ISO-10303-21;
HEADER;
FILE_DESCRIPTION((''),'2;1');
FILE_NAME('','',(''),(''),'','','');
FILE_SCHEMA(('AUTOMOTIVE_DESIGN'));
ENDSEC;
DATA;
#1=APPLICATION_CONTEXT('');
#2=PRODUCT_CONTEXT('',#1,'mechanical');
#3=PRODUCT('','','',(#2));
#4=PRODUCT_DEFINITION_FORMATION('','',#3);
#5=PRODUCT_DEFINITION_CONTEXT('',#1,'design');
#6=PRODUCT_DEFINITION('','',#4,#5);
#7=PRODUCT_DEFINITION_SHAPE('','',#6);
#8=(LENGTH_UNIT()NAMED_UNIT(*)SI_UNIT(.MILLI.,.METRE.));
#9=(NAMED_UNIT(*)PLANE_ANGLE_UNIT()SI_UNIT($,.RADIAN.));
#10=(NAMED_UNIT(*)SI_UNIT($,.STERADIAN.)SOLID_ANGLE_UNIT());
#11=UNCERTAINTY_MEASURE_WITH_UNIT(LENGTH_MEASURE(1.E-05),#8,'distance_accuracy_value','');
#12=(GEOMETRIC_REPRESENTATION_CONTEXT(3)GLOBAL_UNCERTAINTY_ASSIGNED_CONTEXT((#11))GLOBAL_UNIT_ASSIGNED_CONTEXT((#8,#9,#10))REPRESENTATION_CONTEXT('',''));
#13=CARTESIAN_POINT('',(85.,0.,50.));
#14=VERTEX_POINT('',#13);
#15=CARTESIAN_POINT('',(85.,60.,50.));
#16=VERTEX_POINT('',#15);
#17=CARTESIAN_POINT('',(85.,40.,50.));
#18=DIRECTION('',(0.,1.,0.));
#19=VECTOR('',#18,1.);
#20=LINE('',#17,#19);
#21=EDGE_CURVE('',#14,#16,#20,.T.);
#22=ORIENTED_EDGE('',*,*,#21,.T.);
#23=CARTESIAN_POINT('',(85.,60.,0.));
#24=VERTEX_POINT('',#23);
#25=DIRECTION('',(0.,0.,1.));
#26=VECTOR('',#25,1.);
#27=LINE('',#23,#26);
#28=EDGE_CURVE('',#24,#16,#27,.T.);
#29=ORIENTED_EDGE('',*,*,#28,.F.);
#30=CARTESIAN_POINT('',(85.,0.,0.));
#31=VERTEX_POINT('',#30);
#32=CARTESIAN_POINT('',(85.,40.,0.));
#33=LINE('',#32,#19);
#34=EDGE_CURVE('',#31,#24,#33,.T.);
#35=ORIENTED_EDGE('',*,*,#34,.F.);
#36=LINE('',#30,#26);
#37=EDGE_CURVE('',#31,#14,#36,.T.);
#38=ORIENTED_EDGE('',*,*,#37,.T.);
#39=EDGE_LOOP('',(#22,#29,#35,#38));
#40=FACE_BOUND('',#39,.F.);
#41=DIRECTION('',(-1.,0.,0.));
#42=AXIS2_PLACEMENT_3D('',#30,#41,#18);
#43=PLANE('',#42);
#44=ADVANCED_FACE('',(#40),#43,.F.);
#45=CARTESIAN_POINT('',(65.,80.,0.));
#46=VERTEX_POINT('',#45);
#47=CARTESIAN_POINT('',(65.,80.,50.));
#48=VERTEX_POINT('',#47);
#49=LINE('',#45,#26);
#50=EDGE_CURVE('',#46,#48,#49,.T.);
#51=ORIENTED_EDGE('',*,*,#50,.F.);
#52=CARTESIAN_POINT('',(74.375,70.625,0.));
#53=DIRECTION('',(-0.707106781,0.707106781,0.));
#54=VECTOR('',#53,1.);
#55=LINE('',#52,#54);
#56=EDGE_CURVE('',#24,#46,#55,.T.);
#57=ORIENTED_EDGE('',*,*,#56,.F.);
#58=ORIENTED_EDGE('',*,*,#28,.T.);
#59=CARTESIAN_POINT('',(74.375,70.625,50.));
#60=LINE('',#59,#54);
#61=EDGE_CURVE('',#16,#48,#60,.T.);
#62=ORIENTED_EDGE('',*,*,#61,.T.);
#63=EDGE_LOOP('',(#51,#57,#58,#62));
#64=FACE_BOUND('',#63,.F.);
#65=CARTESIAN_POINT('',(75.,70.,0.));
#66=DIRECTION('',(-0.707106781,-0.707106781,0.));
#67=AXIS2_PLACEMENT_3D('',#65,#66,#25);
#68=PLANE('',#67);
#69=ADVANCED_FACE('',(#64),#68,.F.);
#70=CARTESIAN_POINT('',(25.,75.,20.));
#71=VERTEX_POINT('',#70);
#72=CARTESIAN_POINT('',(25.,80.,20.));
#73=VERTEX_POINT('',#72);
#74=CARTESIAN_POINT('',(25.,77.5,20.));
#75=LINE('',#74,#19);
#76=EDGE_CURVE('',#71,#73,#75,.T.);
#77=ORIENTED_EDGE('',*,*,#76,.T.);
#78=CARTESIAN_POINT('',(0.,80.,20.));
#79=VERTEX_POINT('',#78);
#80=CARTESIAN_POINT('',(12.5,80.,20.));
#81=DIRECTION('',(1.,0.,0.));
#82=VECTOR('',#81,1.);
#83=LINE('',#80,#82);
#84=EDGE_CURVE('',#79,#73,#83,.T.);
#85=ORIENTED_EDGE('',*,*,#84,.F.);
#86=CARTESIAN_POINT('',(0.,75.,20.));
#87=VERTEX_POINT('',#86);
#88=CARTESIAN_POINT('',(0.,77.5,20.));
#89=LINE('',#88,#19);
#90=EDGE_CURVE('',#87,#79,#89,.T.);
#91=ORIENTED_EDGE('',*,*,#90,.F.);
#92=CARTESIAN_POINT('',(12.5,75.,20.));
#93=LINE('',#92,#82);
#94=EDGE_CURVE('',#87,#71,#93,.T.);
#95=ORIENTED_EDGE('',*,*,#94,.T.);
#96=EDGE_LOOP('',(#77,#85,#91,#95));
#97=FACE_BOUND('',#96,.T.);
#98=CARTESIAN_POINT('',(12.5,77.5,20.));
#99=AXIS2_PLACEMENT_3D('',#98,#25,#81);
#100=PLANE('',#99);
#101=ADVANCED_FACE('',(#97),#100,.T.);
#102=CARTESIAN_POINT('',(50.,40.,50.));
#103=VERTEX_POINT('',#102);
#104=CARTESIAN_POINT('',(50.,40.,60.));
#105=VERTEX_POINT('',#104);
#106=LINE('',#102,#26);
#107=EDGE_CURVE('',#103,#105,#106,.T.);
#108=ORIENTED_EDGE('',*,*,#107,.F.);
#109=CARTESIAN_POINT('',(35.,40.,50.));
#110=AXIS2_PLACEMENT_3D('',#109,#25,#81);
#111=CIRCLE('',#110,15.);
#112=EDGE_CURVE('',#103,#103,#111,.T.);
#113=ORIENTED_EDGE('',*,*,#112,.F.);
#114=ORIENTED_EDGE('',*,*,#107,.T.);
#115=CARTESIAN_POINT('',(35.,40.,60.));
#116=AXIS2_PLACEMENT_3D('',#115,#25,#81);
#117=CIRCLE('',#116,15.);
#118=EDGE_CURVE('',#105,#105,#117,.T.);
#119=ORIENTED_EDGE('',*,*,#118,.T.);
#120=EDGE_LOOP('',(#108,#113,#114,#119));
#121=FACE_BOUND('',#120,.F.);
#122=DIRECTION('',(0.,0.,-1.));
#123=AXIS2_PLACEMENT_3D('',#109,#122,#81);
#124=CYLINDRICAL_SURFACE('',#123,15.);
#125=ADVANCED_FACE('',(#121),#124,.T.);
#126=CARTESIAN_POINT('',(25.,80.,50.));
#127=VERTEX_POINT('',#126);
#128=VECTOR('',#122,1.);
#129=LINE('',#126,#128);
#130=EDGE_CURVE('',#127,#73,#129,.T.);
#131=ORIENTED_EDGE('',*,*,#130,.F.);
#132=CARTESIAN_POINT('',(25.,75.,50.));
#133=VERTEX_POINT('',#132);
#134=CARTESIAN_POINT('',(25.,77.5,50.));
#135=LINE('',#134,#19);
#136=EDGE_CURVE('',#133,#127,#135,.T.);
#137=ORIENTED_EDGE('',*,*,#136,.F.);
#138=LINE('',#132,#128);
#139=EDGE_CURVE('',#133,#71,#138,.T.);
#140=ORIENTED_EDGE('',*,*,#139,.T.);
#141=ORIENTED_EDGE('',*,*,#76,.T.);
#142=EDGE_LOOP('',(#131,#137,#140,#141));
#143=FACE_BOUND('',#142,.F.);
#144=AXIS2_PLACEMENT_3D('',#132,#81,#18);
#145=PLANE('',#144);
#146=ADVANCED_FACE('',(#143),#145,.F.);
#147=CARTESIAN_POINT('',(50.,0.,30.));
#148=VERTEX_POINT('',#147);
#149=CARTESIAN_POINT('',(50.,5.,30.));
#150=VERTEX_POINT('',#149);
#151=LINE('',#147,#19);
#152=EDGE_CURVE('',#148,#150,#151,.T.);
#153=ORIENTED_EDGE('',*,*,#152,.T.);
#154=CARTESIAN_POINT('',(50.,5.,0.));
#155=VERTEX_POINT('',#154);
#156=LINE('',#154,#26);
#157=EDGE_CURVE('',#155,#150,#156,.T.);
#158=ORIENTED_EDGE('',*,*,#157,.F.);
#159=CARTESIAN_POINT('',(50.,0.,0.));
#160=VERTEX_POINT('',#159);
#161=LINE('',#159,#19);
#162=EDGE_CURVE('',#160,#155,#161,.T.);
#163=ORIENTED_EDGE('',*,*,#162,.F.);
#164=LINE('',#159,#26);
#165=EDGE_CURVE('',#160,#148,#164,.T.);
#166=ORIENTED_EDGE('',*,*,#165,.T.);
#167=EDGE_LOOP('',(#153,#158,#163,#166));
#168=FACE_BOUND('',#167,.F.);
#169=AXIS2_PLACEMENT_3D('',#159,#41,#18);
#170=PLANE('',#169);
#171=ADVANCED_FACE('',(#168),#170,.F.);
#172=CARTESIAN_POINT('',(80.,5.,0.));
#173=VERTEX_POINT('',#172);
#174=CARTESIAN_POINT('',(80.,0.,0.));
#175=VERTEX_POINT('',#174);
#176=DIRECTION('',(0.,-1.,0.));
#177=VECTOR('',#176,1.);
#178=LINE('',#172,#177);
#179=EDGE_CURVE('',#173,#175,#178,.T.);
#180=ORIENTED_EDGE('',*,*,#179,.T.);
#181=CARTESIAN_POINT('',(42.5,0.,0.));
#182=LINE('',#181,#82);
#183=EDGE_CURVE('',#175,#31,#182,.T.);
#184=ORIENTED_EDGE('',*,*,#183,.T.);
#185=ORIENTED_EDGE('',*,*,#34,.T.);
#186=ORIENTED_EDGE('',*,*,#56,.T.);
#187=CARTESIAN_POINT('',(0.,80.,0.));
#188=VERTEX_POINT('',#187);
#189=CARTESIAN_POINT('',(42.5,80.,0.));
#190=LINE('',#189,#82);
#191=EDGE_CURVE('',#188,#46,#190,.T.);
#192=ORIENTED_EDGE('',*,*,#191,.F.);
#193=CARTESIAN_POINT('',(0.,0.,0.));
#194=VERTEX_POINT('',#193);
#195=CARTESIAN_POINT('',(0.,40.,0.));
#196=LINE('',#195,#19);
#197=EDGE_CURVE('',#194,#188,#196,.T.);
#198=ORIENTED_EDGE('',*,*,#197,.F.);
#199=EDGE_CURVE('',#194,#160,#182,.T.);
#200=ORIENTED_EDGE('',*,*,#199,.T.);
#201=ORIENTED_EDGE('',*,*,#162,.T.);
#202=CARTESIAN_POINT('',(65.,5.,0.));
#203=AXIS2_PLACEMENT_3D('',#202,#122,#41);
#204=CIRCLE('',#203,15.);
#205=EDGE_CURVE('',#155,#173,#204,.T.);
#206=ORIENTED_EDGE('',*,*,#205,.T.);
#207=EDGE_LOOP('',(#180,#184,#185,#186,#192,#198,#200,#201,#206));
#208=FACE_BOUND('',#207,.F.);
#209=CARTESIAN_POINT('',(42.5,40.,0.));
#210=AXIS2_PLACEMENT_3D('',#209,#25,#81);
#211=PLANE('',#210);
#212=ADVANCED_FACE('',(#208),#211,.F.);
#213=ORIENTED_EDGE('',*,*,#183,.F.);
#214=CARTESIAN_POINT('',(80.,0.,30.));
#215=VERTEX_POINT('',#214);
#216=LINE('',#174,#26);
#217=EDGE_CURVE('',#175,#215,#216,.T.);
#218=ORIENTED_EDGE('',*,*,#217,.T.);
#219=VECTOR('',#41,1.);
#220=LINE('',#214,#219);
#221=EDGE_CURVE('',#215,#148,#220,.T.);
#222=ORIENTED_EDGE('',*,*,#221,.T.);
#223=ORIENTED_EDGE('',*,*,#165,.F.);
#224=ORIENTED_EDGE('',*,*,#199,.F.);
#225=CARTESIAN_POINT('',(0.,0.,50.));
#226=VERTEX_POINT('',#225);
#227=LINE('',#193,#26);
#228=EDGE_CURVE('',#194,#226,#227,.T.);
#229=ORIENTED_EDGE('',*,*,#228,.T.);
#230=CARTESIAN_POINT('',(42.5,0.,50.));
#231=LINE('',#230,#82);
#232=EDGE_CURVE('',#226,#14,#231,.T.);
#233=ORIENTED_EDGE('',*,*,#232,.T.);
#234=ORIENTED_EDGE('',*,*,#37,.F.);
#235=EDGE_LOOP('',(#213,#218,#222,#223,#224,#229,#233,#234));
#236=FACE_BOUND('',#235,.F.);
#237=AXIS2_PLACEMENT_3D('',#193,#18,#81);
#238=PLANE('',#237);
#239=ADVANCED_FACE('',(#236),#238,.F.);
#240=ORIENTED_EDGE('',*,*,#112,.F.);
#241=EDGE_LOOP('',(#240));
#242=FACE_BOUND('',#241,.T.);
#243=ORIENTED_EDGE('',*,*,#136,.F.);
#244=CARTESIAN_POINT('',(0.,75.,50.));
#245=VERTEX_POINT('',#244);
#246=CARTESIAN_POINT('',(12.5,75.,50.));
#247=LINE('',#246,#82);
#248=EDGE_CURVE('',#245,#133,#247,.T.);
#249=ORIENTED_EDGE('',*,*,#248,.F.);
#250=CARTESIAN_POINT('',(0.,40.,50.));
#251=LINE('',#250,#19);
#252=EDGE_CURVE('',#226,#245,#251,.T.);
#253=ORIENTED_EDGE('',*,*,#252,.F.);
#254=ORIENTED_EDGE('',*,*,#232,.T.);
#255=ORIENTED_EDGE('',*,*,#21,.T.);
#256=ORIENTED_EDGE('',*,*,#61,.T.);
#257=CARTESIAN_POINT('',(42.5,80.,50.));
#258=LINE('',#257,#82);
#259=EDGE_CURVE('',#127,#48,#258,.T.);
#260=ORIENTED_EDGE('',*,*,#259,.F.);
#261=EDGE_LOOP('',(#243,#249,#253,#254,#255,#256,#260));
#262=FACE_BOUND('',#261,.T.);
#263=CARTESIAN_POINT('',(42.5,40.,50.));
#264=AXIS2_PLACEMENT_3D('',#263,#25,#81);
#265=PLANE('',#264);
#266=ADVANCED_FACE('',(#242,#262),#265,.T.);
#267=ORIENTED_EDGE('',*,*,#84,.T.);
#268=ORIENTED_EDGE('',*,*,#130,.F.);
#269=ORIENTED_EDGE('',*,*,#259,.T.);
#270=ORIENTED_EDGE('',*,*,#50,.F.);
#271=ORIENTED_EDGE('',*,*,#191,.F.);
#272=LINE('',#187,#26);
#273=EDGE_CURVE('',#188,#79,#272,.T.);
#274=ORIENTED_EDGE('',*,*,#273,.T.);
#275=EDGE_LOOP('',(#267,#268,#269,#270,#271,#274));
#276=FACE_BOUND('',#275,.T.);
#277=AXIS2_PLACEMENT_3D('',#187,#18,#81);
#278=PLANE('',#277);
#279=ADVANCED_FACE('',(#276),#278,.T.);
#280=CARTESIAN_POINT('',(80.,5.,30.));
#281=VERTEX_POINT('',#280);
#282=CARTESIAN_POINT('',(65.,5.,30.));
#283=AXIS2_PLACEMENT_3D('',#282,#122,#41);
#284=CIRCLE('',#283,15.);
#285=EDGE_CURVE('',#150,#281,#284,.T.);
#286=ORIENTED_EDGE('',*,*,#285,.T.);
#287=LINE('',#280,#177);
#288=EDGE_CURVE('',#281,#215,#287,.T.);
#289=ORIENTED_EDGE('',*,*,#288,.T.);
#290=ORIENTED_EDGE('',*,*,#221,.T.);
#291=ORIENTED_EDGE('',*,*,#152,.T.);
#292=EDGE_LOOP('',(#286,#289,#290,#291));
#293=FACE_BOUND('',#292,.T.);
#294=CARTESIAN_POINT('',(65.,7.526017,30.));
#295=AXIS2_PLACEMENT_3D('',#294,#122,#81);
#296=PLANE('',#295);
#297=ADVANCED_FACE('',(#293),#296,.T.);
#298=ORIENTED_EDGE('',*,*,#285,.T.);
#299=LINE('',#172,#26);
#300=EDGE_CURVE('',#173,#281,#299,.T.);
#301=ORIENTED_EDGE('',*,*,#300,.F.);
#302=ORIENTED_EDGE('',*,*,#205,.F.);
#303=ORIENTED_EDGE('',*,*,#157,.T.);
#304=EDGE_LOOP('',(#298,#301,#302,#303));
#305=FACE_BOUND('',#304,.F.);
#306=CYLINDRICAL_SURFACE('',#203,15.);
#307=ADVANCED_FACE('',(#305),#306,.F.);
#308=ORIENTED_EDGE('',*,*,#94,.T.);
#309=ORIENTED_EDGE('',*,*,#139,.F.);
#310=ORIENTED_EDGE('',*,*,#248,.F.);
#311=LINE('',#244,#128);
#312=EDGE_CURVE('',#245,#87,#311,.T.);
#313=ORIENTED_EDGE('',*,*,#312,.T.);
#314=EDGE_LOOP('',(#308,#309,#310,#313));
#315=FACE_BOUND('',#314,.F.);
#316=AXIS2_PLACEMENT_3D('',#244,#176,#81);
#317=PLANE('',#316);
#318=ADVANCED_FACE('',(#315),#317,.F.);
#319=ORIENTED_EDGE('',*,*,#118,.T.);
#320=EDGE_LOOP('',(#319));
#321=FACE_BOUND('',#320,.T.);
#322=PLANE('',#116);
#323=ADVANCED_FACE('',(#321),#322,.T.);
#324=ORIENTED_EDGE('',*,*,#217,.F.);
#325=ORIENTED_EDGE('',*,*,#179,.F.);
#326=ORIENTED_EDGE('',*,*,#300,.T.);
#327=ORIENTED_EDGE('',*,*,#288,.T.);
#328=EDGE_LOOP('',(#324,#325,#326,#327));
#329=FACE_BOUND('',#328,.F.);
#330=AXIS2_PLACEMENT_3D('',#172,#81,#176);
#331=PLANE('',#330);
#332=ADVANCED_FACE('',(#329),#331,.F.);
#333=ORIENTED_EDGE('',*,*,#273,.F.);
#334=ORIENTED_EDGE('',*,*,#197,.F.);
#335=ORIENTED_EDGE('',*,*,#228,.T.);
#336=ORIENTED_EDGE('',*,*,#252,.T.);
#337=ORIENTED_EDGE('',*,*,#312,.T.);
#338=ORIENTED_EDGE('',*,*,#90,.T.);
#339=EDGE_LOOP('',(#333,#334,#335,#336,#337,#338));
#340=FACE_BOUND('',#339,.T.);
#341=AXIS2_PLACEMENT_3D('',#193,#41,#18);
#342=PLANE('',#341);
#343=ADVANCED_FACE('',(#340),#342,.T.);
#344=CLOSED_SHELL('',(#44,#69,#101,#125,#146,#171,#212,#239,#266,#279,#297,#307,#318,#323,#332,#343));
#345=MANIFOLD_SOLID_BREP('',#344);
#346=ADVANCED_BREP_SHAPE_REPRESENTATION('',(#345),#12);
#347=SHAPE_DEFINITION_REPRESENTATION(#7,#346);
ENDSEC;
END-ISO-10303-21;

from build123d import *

# Parameters (mm, degrees)
F0_W     = 85
F0_H     = 80
F1_DEPTH = 50
F2_SIZE  = 20
F3_W     = 25
F3_H     = 5
F4_DEPTH = 30
F5_R     = 15
F6_DEPTH = 10
F8_DEPTH = 30


with BuildPart() as f1:
    # F0 (on Top) → F1 (new body)
    with BuildSketch(Plane.XY):
        with Locations((42.5, 40)):
            Rectangle(F0_W, F0_H)
    extrude(amount=F1_DEPTH)

    # F2
    f2_edges = [f1.edges().sort_by_distance(p)[0] for p in [
        (85, 80, 25),
    ]]
    chamfer(f2_edges, length=F2_SIZE)

    # F3 (on face) → F4 (cut)
    with BuildSketch(Plane.XY.offset(50)):
        with Locations((12.5, 77.5)):
            Rectangle(F3_W, F3_H)
    extrude(amount=-F4_DEPTH, mode=Mode.SUBTRACT)

    # F5 (on face) → F6 (join)
    with BuildSketch(Plane.XY.offset(50)):
        with Locations((35, 40)):
            Circle(F5_R)
    extrude(amount=F6_DEPTH)

    # F7 (on face) → F8 (cut)
    with BuildSketch(Plane(origin=(0, 0, 0), x_dir=(1, 0, 0), z_dir=(0, 0, -1))):
        with BuildLine():
            Line((50, 0), (50, -5))
            ThreePointArc((50, -5), (65, -20), (80, -5))
            Line((80, -5), (80, 0))
            Line((80, 0), (50, 0))
        make_face()
    extrude(amount=-F8_DEPTH, mode=Mode.SUBTRACT)


solid = f1.part
